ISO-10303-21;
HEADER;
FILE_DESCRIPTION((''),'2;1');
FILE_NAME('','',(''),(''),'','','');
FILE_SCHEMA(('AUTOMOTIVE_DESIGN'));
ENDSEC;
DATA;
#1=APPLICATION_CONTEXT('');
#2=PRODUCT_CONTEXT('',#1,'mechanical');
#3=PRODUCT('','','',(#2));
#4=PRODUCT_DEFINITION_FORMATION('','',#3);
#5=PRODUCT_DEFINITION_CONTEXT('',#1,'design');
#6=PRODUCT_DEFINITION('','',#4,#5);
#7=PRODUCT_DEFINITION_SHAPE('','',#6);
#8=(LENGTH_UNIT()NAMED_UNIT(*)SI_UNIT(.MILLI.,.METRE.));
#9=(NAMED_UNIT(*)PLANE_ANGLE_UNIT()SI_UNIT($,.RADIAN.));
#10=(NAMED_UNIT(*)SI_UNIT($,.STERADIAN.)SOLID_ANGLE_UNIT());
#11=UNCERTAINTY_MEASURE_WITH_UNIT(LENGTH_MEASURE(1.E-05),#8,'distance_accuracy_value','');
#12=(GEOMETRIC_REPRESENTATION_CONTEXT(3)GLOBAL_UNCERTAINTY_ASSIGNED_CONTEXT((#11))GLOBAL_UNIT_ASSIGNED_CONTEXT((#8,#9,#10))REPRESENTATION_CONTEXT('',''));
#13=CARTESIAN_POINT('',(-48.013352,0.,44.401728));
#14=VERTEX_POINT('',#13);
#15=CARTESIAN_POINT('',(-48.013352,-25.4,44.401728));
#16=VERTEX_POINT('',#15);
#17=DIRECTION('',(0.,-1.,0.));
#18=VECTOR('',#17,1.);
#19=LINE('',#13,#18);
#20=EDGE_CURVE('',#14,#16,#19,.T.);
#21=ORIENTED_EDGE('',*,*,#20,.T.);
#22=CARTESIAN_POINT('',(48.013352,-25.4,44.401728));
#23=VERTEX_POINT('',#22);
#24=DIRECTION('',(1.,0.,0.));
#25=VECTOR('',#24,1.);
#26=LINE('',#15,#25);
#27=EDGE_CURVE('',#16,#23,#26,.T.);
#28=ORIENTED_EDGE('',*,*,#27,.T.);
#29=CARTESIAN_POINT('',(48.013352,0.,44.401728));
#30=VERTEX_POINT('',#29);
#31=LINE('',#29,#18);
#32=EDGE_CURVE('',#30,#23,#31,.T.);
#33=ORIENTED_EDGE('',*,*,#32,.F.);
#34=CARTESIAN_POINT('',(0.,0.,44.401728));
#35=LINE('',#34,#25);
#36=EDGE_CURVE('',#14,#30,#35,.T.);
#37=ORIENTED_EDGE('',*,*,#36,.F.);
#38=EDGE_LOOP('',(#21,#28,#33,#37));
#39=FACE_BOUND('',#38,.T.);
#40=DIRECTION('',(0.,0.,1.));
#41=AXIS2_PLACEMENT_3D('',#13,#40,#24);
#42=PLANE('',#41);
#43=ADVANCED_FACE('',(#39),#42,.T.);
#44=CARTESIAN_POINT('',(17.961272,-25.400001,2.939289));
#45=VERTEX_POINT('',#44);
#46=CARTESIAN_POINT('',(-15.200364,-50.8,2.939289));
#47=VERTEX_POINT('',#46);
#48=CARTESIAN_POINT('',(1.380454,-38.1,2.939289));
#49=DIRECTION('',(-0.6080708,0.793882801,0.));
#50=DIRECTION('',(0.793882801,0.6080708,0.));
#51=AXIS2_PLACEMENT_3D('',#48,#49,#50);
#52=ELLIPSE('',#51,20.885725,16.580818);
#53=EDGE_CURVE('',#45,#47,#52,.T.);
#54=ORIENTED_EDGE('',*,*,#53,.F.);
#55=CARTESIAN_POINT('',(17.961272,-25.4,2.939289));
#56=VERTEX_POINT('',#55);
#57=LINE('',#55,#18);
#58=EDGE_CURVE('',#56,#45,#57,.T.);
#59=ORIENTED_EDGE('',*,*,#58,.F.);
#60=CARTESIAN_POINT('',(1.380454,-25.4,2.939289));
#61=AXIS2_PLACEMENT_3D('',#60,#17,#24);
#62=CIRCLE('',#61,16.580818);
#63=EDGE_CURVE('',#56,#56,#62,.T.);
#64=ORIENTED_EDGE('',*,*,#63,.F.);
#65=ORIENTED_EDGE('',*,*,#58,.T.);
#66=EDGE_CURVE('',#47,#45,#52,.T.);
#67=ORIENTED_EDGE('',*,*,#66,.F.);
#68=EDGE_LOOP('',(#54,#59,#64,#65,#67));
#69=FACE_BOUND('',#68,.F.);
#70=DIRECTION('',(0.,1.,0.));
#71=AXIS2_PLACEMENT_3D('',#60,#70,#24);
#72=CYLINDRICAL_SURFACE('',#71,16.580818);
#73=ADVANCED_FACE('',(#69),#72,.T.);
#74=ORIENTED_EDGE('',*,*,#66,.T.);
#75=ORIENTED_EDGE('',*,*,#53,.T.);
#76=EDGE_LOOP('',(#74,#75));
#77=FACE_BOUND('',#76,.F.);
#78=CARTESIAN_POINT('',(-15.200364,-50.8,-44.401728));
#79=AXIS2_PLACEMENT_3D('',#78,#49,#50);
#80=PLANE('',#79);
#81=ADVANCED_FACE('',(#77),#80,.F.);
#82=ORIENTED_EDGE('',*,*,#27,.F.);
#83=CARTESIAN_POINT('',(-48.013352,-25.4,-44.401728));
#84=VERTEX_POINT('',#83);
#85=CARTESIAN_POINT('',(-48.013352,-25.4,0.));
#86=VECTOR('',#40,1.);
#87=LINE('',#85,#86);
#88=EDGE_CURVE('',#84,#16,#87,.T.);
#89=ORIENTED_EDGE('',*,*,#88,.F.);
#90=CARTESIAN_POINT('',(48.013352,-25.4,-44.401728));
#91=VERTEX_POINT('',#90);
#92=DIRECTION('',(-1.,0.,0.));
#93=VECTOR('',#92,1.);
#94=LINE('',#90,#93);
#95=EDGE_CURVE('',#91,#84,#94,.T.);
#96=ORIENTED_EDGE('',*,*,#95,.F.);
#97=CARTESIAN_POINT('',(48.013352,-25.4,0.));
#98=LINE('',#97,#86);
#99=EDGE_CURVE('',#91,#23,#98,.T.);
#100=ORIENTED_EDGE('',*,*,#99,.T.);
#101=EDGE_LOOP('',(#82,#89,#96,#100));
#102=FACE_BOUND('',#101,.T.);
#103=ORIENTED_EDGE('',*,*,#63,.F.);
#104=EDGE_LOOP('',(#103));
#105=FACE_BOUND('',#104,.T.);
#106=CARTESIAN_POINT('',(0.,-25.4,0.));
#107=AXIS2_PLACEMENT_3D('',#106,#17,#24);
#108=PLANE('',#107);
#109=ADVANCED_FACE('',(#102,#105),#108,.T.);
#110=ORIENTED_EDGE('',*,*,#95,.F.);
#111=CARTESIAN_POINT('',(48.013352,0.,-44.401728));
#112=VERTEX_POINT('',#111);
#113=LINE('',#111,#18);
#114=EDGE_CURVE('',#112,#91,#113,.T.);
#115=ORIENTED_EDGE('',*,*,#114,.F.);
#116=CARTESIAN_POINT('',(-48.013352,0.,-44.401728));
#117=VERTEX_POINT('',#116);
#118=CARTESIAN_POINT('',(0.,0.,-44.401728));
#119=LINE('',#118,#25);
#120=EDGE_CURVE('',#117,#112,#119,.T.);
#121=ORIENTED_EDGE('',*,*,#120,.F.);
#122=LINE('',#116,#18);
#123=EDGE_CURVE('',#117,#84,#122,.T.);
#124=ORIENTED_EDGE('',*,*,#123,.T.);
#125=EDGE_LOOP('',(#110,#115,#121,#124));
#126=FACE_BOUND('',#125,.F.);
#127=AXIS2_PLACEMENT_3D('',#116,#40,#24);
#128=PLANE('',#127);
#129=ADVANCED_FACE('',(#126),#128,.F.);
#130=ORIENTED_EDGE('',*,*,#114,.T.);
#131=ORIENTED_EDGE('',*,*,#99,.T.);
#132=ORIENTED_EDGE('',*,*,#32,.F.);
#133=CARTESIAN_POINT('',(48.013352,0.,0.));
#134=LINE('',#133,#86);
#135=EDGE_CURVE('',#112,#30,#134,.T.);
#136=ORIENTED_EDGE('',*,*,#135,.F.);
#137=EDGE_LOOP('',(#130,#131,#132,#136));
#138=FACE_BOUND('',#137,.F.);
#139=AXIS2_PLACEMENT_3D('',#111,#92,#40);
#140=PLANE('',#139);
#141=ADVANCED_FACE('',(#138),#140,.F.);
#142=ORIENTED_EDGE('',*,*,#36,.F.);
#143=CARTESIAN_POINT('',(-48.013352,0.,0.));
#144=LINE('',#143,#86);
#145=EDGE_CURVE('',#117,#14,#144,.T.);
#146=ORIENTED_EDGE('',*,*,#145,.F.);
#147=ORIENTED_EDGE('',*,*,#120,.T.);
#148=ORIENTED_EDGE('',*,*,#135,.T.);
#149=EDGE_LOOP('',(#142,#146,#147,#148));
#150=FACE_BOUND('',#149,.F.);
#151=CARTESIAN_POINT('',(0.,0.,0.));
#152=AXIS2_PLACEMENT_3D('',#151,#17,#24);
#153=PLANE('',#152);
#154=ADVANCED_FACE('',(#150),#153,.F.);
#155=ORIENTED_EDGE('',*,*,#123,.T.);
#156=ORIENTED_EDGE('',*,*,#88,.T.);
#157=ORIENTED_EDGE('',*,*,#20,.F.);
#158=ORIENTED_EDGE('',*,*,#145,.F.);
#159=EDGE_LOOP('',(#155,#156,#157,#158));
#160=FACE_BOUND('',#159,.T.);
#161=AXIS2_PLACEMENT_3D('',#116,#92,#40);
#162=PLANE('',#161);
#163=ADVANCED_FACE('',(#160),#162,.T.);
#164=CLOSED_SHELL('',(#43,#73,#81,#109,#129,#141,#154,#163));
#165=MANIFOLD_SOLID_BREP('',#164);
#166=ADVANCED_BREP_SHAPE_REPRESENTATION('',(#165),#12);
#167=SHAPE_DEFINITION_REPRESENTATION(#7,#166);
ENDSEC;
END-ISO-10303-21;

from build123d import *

# Parameters (mm, degrees)
F0_W     = 96.026704
F0_H     = 88.803456
F1_DEPTH = 25.4
F2_R     = 16.580818
F3_DEPTH = 25.4
F5_DEPTH = 88.804455


with BuildPart() as f1:
    # F0 (on Front) → F1 (new body)
    with BuildSketch(Plane.XZ):
        Rectangle(F0_W, F0_H)
    extrude(amount=F1_DEPTH)

    # F2 (on face) → F3 (join)
    with BuildSketch(Plane.XZ.offset(25.4)):
        with Locations((1.380454, 2.939289)):
            Circle(F2_R)
    extrude(amount=F3_DEPTH)

    # F4 (on face) → F5 (cut, through all)
    with BuildSketch(Plane(origin=(0, 0, -44.401728), x_dir=(1, 0, 0), z_dir=(0, 0, -1))):
        Polygon((17.961273, 50.8), (-15.200364, 50.8), (17.961273, 25.4), align=None)
    extrude(amount=-F5_DEPTH, mode=Mode.SUBTRACT)


solid = f1.part
